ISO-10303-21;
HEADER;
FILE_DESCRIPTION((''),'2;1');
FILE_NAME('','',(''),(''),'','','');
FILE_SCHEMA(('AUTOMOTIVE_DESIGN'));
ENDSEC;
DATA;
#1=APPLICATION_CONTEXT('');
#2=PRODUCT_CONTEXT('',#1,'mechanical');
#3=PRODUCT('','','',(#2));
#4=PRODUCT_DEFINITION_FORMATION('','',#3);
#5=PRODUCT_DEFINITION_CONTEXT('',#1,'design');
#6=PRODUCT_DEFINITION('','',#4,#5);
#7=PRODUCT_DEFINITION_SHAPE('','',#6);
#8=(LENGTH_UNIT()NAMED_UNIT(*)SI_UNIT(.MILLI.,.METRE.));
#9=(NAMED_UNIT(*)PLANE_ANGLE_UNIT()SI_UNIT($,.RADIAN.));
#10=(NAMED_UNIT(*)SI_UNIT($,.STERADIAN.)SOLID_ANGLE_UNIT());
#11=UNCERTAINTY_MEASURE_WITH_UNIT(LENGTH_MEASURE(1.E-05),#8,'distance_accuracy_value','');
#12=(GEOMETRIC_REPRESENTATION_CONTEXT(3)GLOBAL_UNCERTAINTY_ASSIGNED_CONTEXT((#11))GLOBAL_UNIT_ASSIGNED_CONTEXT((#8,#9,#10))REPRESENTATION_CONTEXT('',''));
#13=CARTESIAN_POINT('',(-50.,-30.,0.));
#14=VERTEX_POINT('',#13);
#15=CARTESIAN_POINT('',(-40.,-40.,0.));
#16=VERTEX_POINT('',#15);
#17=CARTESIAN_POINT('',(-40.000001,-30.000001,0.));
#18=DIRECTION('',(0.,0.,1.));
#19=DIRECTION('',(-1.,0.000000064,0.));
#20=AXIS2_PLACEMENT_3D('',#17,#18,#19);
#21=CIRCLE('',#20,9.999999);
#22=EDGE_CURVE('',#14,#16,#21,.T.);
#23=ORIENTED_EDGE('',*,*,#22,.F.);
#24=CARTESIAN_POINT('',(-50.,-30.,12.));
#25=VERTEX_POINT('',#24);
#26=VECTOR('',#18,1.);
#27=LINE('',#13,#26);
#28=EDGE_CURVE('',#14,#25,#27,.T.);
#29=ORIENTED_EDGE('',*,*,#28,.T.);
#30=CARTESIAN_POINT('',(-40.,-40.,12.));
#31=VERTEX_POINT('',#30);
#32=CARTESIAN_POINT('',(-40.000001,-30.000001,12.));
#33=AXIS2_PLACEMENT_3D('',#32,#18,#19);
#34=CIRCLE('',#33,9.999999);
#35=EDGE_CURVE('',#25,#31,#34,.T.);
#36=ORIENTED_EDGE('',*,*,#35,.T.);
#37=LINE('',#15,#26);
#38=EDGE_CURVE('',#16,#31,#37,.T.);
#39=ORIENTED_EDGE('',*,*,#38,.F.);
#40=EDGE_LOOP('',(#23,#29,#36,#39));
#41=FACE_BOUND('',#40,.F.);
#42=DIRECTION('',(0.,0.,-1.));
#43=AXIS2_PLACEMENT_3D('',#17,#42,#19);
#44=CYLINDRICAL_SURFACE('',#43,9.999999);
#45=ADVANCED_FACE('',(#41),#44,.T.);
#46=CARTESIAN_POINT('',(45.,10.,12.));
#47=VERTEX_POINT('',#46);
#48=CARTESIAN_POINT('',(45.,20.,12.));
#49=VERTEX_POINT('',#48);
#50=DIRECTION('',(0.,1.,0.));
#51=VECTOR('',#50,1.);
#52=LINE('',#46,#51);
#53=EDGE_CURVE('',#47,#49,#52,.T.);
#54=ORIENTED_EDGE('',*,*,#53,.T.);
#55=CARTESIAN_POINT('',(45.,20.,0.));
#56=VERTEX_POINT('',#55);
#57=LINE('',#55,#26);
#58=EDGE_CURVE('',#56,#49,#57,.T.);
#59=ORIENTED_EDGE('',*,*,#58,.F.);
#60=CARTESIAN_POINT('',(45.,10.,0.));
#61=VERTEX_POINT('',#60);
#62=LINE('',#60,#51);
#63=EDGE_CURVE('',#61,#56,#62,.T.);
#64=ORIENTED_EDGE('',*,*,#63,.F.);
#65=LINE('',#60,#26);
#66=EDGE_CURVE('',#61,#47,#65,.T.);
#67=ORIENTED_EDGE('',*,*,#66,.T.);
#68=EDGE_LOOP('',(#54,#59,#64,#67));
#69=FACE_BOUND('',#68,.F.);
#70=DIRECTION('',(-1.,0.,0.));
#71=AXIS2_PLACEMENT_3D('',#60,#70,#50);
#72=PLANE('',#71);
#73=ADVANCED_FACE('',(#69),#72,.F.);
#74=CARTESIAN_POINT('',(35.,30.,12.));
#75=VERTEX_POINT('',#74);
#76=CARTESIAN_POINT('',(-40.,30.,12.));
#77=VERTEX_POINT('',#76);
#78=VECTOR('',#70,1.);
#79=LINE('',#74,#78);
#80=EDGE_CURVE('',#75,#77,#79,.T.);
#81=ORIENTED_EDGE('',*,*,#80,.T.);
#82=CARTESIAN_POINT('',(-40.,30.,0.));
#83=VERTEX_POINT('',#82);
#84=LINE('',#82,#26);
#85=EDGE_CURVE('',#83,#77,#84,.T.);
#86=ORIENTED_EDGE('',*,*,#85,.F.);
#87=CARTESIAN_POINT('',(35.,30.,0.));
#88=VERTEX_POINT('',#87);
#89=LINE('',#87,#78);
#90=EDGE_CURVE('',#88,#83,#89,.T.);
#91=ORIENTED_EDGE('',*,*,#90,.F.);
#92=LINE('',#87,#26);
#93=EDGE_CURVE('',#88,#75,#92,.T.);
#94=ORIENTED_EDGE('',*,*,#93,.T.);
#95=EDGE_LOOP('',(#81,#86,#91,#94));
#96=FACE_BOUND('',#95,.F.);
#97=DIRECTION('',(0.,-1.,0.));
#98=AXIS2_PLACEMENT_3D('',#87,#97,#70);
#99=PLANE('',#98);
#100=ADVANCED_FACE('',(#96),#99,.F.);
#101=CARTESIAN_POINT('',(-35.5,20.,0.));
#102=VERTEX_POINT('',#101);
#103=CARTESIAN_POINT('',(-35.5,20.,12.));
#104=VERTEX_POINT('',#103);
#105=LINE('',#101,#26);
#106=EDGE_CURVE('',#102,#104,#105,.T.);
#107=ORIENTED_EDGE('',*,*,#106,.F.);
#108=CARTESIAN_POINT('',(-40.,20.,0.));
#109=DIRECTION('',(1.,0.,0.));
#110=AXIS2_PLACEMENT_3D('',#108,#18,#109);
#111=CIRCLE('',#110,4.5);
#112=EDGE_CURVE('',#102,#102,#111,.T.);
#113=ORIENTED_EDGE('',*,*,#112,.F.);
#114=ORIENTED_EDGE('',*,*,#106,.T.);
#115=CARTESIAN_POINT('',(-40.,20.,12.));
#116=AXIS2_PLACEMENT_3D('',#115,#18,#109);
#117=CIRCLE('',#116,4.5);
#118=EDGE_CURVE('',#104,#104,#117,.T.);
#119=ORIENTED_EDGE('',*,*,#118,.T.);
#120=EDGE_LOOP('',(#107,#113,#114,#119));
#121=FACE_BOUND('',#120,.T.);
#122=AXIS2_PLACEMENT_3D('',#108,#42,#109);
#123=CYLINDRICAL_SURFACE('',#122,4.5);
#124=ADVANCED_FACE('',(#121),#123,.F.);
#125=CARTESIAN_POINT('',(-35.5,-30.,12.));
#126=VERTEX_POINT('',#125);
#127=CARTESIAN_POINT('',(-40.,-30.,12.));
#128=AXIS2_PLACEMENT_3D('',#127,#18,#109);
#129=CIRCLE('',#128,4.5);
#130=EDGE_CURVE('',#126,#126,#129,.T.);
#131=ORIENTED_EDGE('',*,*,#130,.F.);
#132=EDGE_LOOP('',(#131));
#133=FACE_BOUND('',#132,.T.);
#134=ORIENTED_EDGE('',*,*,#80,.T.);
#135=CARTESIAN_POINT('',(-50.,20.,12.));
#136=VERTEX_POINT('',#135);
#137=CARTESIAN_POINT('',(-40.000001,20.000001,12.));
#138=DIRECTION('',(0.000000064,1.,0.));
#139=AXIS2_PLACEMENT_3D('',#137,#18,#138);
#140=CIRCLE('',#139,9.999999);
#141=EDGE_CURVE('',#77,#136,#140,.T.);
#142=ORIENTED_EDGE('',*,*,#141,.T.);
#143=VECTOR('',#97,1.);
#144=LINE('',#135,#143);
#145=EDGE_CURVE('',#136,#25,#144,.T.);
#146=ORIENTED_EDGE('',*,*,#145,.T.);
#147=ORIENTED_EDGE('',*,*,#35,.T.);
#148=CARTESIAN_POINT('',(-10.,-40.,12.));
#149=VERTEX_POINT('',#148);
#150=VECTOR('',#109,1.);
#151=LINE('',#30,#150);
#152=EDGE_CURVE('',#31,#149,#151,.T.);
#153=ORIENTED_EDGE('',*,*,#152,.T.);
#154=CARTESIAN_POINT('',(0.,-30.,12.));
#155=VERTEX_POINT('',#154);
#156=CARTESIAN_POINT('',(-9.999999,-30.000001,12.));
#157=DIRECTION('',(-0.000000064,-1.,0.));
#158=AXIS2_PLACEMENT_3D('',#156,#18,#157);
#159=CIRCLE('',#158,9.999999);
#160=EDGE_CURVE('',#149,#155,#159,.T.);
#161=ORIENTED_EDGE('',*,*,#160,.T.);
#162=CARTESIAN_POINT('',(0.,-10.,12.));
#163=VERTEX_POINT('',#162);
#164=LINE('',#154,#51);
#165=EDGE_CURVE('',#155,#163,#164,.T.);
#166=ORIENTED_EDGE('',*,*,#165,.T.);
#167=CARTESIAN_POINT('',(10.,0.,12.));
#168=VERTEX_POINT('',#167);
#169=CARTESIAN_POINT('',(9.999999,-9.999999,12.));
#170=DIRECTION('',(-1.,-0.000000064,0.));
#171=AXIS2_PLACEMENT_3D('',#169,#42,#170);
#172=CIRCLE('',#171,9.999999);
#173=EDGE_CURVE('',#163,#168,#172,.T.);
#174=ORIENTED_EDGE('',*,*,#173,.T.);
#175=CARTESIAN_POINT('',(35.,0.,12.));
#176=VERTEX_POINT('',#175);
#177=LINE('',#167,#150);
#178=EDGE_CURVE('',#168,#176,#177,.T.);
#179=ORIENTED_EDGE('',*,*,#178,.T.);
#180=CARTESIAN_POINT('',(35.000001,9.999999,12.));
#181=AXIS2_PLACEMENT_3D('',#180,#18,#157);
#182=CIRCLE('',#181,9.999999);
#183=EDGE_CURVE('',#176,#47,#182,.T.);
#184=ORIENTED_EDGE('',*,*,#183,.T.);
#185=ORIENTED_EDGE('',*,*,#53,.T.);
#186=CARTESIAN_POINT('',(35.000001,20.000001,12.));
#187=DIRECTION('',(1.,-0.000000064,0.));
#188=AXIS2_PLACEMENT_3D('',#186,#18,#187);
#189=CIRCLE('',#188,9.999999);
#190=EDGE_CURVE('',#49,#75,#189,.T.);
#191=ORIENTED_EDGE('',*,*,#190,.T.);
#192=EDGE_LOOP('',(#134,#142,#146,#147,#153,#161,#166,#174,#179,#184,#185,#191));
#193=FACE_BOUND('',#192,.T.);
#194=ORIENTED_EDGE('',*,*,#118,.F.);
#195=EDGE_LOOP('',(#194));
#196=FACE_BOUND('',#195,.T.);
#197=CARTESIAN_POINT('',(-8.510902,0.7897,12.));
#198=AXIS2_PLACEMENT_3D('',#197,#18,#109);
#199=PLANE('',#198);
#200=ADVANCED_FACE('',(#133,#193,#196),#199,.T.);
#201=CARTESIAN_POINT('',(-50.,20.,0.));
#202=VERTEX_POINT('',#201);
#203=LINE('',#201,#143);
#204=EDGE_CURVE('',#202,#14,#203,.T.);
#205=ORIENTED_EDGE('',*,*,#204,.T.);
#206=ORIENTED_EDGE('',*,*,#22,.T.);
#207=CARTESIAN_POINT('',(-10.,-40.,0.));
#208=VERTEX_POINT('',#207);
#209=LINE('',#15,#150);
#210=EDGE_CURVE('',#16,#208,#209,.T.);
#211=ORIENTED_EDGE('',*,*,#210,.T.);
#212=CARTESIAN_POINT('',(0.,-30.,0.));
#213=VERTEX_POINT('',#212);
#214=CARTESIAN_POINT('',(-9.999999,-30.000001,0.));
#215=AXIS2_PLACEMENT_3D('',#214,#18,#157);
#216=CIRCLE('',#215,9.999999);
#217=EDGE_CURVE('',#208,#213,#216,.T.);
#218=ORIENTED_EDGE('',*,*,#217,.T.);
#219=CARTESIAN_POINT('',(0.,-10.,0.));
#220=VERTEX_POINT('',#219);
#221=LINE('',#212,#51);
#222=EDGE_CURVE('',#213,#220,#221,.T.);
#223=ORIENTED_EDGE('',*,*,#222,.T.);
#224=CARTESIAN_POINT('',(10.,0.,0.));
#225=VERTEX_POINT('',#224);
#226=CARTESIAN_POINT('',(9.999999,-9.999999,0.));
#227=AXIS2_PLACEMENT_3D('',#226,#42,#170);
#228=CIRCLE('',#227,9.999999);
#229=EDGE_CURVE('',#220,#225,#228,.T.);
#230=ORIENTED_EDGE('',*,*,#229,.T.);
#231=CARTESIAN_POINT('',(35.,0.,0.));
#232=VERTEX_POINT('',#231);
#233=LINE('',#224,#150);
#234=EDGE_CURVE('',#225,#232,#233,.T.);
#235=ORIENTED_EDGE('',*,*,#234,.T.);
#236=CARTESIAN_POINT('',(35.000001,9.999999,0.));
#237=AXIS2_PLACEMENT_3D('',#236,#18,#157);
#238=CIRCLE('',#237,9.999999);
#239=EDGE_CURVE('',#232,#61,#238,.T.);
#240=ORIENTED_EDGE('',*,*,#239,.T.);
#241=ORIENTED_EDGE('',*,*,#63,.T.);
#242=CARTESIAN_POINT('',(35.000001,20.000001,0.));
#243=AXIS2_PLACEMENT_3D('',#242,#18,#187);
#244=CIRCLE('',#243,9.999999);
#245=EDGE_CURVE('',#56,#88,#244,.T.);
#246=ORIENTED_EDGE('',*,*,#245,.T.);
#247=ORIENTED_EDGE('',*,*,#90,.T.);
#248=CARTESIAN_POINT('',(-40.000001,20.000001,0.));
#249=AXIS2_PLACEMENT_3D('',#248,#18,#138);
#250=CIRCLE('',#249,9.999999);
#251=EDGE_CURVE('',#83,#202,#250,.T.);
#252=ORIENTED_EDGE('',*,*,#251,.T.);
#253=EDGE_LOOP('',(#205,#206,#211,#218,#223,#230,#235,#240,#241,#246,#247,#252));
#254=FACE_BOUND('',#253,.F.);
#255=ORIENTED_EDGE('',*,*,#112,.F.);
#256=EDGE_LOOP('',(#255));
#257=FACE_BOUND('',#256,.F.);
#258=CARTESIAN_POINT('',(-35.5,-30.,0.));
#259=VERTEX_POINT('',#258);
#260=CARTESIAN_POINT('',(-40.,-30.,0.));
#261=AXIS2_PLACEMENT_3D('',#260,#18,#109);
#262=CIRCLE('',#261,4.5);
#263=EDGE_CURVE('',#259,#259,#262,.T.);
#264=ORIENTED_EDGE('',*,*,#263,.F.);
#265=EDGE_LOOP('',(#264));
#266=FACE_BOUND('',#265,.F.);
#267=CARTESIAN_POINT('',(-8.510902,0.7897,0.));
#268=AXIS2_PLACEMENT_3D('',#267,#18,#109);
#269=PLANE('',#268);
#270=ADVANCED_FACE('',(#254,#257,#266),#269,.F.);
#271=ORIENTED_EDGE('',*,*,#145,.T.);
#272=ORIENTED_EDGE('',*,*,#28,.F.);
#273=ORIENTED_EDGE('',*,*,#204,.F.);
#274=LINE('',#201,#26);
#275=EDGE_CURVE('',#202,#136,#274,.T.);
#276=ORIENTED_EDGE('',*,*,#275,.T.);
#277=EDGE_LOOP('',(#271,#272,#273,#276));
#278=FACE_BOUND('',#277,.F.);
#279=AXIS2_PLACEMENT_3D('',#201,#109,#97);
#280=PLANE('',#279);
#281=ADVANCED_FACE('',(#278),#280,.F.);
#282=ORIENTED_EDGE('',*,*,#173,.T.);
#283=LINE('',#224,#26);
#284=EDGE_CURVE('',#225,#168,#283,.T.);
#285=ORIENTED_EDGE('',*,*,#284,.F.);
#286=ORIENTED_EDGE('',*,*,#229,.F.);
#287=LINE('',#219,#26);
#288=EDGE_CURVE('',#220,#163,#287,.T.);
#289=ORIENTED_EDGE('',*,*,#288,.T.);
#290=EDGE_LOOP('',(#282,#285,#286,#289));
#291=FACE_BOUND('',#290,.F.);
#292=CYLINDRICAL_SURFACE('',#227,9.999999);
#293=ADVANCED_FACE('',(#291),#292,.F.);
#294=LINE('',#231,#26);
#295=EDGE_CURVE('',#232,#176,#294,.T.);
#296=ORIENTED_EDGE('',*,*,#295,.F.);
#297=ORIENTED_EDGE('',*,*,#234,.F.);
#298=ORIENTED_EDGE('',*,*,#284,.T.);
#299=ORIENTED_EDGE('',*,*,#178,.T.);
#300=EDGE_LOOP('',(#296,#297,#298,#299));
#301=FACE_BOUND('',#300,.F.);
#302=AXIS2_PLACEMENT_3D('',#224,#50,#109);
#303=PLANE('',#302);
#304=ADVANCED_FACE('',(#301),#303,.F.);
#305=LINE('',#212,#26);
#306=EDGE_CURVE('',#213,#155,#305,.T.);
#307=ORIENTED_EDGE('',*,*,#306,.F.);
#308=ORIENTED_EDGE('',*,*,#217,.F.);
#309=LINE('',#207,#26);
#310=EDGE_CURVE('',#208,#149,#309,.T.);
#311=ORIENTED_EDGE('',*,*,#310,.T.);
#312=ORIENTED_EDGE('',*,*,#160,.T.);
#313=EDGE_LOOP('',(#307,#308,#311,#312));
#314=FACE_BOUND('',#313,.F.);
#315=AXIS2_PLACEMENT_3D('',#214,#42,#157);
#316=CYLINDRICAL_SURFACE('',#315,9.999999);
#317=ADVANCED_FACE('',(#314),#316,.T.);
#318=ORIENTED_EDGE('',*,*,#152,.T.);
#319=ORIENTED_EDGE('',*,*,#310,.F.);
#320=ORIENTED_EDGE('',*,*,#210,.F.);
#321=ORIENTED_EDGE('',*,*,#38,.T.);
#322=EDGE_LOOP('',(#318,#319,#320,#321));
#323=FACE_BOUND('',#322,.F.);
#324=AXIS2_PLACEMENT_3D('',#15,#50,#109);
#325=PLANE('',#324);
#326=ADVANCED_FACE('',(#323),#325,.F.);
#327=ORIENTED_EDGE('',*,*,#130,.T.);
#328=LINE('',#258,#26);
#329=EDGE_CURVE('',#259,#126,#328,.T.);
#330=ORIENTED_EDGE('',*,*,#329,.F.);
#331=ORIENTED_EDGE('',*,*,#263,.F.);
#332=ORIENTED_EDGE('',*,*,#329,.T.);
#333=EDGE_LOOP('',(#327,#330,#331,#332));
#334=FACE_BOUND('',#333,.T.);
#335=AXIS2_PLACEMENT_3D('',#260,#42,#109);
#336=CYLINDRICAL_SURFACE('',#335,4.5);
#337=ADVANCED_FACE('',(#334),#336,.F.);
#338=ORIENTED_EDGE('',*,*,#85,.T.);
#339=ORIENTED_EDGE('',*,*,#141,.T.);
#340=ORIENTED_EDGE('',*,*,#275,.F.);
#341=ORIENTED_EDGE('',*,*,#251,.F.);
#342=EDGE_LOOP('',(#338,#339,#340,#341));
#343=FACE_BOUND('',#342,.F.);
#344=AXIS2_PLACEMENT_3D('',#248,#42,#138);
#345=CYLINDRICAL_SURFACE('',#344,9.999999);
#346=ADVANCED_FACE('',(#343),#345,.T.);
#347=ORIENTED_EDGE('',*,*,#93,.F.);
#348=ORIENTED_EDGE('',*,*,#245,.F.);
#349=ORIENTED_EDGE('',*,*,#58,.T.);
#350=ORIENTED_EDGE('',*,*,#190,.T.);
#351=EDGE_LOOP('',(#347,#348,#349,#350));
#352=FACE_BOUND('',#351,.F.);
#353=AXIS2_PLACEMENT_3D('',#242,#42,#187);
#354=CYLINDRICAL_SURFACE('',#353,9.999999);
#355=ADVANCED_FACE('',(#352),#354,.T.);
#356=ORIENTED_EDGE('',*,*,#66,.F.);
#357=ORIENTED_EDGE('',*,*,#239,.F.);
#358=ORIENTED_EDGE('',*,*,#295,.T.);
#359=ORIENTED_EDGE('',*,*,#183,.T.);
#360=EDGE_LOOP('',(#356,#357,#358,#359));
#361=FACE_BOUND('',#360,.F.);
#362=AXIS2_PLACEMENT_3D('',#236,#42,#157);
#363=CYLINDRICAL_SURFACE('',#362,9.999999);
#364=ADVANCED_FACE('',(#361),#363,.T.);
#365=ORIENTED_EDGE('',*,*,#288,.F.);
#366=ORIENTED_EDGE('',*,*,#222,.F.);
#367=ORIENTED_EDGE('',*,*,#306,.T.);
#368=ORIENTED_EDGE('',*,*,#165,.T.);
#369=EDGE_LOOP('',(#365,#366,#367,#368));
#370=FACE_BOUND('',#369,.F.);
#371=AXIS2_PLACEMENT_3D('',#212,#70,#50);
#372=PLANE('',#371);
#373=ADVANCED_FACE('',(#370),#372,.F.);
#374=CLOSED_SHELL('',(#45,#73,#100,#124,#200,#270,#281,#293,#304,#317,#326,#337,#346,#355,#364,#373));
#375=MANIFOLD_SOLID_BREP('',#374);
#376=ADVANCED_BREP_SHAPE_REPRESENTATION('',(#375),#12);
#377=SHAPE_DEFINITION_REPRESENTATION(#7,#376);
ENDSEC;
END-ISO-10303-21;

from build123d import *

# Parameters (mm, degrees)
F0_R     = 4.5
F1_DEPTH = 12


with BuildPart() as f1:
    # F0 (on Top) → F1 (new body)
    with BuildSketch(Plane.XY):
        with BuildLine():
            ThreePointArc((0, -10), (2.928932, -2.928932), (10, 0))
            Line((10, 0), (35, 0))
            ThreePointArc((35, 0), (42.071068, 2.928932), (45, 10))
            Line((45, 10), (45, 20))
            ThreePointArc((45, 20), (42.071068, 27.071068), (35, 30))
            Line((35, 30), (-40, 30))
            ThreePointArc((-40, 30), (-47.071068, 27.071068), (-50, 20))
            Line((-50, 20), (-50, -30))
            ThreePointArc((-50, -30), (-47.071068, -37.071068), (-40, -40))
            Line((-40, -40), (-10, -40))
            ThreePointArc((-10, -40), (-2.928932, -37.071068), (0, -30))
            Line((0, -30), (0, -10))
        make_face()
        with Locations((-40, -30)):
            Circle(F0_R, mode=Mode.SUBTRACT)
        with Locations((-40, 20)):
            Circle(F0_R, mode=Mode.SUBTRACT)
    extrude(amount=F1_DEPTH)


solid = f1.part
